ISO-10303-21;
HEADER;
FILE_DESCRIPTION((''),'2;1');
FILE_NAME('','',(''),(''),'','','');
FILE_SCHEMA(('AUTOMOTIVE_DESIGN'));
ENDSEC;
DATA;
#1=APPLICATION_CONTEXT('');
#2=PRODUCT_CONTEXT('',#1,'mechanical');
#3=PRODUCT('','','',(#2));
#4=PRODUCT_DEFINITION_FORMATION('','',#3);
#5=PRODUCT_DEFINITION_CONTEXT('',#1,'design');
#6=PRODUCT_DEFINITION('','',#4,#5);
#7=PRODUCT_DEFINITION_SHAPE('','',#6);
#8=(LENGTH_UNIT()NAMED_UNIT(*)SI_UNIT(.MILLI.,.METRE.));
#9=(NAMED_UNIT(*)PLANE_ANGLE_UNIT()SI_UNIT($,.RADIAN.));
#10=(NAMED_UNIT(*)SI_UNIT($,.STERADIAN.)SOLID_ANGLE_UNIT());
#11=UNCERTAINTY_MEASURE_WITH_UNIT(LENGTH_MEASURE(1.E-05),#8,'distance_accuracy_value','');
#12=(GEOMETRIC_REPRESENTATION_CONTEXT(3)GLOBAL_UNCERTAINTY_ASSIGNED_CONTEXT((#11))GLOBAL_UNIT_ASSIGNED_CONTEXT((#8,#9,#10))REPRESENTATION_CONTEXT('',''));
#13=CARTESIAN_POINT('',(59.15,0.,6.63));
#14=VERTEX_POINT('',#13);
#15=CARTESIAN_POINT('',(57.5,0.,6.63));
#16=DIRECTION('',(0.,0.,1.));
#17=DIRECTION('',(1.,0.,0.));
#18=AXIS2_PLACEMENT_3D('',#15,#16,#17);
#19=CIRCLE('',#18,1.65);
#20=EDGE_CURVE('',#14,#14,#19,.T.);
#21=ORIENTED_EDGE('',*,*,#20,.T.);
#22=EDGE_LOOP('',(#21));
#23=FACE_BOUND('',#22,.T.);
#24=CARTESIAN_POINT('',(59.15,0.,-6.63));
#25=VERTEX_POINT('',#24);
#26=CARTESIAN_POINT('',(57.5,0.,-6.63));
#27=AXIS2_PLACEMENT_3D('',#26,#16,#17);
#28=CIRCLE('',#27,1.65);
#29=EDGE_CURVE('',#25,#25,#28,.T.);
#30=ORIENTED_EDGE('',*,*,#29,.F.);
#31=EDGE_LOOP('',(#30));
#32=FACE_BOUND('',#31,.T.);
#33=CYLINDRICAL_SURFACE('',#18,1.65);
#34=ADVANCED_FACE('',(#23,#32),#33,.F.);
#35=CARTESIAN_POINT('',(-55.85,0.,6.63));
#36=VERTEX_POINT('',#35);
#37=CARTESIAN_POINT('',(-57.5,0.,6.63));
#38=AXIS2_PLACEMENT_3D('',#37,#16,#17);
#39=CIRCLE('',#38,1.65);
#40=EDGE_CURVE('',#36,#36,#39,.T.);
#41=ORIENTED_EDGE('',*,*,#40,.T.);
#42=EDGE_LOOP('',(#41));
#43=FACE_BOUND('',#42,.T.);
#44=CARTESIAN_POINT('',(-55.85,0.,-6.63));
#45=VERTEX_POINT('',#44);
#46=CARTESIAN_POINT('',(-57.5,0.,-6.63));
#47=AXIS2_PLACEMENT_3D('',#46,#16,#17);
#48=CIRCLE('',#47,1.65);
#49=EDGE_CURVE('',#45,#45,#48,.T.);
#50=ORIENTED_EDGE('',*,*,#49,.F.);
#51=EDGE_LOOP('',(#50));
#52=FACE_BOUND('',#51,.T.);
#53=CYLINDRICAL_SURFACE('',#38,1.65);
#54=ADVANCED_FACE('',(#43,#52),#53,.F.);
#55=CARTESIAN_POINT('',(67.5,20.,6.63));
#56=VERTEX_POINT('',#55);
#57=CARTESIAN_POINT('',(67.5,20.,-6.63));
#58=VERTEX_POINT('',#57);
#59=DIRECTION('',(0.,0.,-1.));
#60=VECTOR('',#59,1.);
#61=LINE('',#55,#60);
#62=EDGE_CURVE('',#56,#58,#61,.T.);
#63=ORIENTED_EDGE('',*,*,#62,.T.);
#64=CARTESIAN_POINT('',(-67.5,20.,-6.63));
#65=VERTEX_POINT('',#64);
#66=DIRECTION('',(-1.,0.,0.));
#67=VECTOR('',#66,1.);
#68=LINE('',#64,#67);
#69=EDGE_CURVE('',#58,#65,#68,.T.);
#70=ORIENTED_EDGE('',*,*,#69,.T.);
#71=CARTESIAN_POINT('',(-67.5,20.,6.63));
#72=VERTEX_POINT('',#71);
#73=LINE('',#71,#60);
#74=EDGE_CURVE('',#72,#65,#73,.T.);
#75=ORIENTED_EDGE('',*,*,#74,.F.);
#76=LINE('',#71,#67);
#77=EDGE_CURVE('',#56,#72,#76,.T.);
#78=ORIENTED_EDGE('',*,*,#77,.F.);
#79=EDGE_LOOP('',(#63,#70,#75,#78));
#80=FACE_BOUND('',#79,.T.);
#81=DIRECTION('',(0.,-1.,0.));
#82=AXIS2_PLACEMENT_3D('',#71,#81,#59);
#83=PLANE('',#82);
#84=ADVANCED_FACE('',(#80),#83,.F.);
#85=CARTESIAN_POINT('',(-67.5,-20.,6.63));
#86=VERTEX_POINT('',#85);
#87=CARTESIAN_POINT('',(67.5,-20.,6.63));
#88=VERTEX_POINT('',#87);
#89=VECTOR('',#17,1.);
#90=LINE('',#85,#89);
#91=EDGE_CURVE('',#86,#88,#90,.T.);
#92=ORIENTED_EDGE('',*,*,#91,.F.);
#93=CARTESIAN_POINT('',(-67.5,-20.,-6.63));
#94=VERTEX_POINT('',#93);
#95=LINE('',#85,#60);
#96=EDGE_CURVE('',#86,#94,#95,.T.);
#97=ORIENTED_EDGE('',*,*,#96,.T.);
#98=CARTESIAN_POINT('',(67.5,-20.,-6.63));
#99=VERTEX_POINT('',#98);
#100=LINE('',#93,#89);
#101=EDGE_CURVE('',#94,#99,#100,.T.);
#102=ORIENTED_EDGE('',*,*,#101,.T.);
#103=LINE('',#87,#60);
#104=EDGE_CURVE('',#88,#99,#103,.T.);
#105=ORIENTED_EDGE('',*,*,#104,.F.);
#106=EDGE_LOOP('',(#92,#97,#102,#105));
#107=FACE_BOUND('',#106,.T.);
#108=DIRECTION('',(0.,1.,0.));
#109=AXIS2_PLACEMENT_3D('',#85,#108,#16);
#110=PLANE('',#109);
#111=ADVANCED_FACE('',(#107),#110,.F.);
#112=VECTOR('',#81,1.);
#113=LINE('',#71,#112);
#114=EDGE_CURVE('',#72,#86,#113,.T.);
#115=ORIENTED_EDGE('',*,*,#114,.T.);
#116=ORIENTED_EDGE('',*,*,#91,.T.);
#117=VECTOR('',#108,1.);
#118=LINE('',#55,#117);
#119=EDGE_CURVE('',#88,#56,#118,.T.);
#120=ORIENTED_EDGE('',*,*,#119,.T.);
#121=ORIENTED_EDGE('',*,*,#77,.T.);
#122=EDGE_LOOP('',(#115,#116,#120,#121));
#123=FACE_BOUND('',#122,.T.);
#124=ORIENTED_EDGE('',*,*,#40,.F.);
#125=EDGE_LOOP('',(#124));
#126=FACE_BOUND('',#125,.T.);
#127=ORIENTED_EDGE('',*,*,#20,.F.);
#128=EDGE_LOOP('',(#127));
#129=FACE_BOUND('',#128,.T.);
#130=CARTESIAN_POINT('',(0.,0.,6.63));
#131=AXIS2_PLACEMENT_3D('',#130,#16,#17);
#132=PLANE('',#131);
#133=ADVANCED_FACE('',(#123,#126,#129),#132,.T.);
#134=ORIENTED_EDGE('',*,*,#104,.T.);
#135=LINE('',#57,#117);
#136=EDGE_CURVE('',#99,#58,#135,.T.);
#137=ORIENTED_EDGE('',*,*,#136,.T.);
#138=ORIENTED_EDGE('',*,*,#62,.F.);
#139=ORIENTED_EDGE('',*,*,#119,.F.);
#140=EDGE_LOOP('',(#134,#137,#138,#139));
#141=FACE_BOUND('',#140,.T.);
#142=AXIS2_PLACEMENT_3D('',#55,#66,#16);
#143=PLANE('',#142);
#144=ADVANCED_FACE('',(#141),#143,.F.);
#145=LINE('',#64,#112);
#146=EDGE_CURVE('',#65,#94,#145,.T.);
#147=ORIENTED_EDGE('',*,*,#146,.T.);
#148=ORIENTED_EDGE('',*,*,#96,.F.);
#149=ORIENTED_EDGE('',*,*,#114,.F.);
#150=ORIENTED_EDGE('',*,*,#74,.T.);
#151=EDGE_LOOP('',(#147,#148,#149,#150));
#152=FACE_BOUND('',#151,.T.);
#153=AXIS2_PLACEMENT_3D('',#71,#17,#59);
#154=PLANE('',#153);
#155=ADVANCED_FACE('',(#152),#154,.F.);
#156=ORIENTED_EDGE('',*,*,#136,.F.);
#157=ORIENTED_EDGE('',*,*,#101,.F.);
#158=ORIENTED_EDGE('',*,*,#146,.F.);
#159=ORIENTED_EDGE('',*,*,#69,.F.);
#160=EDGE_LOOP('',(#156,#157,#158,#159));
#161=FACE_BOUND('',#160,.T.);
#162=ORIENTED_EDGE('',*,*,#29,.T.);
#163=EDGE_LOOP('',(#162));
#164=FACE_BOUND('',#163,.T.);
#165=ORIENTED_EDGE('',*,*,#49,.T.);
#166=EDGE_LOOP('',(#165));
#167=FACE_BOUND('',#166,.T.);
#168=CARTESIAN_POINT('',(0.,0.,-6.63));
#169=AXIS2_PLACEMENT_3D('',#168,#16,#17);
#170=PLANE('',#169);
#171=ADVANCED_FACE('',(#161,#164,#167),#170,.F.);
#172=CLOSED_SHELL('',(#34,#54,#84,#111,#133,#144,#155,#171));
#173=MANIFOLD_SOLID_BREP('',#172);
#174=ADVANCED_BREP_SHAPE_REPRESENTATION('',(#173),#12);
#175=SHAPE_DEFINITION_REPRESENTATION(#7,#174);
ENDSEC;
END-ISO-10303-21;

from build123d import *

# Parameters (mm, degrees)
SKETCH1_W             = 135
SKETCH1_H             = 40
BOSS_EXTRUDE1_DEPTH   = 6.63
M4X0_7_TAPPED_HOLE1_D = 3.3


with BuildPart() as part:
    # Sketch1 → Boss-Extrude1 (new, symmetric)
    with BuildSketch(Plane.XY):
        Rectangle(SKETCH1_W, SKETCH1_H)
    extrude(amount=BOSS_EXTRUDE1_DEPTH, both=True)

    # M4x0.7 Tapped Hole1 (through all)
    with Locations(Plane.XY.offset(6.63)):
        with Locations((57.5, 0), (-57.5, 0)):
            Hole(M4X0_7_TAPPED_HOLE1_D / 2)


solid = part.part
